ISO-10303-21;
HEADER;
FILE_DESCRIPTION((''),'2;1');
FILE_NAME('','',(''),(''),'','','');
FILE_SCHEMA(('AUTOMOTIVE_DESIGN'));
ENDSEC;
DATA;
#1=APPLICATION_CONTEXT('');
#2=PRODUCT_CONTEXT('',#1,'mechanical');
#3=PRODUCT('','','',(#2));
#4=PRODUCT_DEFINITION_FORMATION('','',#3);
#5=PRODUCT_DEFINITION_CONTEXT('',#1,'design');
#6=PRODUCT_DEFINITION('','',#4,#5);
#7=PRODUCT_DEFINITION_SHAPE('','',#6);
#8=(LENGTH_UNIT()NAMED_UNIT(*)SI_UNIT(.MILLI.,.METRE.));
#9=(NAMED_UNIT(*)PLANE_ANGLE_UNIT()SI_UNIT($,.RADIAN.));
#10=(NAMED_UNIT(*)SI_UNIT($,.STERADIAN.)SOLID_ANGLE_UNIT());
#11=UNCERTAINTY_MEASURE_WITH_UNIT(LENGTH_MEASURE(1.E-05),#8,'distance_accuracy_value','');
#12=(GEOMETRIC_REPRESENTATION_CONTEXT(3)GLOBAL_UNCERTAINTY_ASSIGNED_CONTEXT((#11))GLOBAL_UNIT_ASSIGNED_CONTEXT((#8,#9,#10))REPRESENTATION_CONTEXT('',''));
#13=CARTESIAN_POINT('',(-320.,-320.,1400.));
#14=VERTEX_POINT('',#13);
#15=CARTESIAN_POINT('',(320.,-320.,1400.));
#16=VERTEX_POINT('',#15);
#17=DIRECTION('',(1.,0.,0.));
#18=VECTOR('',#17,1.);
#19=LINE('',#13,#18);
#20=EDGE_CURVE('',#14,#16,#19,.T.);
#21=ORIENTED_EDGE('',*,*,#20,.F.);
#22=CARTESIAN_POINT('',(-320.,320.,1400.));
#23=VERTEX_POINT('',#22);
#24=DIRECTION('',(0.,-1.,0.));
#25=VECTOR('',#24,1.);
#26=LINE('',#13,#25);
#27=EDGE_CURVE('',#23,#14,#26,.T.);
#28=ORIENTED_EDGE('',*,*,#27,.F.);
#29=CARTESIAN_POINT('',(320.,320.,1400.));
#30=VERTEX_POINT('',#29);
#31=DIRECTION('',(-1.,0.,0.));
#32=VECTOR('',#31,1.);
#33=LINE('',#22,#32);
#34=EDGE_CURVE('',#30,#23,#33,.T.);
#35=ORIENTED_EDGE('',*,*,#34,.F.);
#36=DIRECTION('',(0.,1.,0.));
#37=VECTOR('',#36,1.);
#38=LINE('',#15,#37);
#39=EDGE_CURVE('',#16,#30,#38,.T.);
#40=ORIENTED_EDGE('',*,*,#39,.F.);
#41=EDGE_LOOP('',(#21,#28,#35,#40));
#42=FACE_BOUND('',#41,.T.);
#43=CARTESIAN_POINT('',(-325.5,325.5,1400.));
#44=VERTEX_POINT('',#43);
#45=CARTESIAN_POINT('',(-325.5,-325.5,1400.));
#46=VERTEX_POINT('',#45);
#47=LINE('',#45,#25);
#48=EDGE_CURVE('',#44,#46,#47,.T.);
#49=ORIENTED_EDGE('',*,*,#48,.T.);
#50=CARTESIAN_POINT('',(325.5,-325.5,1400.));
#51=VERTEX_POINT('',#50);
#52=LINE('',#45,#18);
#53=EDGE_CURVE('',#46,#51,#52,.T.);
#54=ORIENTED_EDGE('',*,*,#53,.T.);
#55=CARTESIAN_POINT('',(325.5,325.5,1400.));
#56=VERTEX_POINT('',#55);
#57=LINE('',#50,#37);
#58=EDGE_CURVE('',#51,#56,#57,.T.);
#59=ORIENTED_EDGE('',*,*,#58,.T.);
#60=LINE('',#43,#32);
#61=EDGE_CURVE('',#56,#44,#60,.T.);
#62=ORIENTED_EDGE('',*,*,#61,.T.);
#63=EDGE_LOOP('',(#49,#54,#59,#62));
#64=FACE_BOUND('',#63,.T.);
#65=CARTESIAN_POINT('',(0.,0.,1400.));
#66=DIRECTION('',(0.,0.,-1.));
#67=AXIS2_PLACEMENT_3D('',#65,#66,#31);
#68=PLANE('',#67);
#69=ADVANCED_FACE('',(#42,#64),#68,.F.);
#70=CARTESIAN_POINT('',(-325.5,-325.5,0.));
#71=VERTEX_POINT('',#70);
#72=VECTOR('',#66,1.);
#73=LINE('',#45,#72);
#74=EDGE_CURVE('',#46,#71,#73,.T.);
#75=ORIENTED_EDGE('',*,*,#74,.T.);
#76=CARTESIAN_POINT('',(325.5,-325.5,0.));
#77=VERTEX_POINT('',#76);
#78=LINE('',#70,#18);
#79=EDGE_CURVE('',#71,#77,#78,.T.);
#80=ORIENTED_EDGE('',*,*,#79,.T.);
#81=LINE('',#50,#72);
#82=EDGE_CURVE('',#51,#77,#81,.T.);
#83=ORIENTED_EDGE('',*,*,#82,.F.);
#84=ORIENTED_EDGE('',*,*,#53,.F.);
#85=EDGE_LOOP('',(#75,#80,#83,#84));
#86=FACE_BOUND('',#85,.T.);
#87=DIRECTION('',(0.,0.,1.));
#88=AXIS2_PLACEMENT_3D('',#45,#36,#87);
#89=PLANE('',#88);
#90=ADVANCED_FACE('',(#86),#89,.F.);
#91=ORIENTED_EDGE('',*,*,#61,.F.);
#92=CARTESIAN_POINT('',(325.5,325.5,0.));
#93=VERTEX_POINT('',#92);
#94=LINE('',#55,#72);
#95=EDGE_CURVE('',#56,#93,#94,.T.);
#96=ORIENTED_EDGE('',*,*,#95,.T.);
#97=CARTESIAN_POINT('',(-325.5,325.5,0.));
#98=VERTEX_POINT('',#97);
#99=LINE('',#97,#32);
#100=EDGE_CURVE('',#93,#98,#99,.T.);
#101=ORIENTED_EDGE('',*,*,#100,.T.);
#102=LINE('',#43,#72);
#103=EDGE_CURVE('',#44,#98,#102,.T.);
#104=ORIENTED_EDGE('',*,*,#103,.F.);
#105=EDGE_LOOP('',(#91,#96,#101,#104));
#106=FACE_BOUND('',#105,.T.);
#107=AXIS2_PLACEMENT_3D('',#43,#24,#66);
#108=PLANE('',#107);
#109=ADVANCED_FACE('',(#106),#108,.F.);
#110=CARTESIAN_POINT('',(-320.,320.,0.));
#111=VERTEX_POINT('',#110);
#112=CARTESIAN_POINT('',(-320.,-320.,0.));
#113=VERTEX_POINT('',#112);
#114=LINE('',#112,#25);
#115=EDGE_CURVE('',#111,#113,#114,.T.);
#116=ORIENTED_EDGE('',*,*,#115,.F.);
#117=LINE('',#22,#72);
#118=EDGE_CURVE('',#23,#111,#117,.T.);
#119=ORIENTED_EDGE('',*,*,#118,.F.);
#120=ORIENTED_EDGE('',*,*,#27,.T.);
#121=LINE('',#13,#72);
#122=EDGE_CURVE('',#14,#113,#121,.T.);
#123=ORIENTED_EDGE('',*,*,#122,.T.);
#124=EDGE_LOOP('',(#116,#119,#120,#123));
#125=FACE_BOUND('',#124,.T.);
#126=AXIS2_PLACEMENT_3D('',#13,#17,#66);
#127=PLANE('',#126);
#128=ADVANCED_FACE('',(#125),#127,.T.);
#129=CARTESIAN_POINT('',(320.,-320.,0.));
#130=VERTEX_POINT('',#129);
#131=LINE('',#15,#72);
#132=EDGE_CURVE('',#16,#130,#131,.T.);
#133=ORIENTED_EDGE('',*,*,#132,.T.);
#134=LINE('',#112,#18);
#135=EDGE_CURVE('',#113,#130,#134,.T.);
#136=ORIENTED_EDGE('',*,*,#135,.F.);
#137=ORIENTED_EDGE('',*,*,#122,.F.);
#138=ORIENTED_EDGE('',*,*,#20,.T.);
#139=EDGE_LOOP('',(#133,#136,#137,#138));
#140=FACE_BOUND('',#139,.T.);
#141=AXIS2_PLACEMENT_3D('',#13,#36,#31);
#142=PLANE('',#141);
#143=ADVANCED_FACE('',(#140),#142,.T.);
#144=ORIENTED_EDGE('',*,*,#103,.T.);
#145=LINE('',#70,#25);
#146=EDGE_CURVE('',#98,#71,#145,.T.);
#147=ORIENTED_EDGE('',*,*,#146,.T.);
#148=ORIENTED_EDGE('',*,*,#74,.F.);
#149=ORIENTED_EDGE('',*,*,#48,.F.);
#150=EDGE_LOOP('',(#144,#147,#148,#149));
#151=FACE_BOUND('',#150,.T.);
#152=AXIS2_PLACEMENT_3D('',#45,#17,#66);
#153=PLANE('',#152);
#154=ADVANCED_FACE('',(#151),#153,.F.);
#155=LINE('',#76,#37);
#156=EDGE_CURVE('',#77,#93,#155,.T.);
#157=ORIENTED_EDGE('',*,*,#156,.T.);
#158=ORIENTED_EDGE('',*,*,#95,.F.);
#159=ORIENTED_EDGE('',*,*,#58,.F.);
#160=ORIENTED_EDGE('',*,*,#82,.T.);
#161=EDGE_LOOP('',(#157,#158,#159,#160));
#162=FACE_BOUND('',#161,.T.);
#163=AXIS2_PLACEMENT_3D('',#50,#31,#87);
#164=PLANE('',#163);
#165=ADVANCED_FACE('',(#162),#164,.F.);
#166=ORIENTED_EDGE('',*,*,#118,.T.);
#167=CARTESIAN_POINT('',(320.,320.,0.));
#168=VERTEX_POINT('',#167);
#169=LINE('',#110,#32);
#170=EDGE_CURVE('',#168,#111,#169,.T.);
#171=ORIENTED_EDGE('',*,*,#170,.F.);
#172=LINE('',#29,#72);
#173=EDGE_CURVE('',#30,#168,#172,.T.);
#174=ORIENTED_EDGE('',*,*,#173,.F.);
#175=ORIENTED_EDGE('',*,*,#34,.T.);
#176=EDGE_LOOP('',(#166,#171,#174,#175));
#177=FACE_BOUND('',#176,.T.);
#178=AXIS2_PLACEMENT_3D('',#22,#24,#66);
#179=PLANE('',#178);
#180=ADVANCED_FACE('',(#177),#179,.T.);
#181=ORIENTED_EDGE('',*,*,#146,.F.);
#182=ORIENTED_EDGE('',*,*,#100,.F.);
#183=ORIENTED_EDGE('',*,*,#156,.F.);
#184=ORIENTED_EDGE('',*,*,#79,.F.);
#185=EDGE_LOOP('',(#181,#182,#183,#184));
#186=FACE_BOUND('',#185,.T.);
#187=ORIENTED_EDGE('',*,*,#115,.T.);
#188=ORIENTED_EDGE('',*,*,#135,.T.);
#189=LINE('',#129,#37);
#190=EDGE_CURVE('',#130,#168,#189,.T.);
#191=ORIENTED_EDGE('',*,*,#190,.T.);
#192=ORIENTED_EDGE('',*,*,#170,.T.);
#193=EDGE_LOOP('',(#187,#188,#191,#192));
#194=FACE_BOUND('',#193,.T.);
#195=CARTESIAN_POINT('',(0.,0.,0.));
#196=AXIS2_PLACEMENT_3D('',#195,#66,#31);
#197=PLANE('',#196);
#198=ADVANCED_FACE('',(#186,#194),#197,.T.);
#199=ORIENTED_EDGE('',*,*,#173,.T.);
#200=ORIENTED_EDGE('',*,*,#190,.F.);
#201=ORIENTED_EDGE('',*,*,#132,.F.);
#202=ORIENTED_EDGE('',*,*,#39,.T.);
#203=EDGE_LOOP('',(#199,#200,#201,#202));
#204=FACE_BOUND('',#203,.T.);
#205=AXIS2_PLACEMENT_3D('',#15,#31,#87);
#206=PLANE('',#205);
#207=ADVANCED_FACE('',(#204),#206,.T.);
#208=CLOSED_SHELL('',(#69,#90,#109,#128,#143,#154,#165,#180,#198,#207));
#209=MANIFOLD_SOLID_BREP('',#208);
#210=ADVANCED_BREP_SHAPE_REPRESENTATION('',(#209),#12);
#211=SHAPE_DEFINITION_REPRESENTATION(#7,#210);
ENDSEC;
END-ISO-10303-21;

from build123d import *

# Parameters (mm, degrees)
SKETCH1_W           = 651
SKETCH1_H           = 651
SKETCH1_W_2         = 640
SKETCH1_H_2         = 640
BOSS_EXTRUDE1_DEPTH = 1400


with BuildPart() as part:
    # Sketch1 → Boss-Extrude1 (new body)
    with BuildSketch(Plane.XY):
        Rectangle(SKETCH1_W, SKETCH1_H)
        Rectangle(SKETCH1_W_2, SKETCH1_H_2, mode=Mode.SUBTRACT)
    extrude(amount=BOSS_EXTRUDE1_DEPTH)


solid = part.part
